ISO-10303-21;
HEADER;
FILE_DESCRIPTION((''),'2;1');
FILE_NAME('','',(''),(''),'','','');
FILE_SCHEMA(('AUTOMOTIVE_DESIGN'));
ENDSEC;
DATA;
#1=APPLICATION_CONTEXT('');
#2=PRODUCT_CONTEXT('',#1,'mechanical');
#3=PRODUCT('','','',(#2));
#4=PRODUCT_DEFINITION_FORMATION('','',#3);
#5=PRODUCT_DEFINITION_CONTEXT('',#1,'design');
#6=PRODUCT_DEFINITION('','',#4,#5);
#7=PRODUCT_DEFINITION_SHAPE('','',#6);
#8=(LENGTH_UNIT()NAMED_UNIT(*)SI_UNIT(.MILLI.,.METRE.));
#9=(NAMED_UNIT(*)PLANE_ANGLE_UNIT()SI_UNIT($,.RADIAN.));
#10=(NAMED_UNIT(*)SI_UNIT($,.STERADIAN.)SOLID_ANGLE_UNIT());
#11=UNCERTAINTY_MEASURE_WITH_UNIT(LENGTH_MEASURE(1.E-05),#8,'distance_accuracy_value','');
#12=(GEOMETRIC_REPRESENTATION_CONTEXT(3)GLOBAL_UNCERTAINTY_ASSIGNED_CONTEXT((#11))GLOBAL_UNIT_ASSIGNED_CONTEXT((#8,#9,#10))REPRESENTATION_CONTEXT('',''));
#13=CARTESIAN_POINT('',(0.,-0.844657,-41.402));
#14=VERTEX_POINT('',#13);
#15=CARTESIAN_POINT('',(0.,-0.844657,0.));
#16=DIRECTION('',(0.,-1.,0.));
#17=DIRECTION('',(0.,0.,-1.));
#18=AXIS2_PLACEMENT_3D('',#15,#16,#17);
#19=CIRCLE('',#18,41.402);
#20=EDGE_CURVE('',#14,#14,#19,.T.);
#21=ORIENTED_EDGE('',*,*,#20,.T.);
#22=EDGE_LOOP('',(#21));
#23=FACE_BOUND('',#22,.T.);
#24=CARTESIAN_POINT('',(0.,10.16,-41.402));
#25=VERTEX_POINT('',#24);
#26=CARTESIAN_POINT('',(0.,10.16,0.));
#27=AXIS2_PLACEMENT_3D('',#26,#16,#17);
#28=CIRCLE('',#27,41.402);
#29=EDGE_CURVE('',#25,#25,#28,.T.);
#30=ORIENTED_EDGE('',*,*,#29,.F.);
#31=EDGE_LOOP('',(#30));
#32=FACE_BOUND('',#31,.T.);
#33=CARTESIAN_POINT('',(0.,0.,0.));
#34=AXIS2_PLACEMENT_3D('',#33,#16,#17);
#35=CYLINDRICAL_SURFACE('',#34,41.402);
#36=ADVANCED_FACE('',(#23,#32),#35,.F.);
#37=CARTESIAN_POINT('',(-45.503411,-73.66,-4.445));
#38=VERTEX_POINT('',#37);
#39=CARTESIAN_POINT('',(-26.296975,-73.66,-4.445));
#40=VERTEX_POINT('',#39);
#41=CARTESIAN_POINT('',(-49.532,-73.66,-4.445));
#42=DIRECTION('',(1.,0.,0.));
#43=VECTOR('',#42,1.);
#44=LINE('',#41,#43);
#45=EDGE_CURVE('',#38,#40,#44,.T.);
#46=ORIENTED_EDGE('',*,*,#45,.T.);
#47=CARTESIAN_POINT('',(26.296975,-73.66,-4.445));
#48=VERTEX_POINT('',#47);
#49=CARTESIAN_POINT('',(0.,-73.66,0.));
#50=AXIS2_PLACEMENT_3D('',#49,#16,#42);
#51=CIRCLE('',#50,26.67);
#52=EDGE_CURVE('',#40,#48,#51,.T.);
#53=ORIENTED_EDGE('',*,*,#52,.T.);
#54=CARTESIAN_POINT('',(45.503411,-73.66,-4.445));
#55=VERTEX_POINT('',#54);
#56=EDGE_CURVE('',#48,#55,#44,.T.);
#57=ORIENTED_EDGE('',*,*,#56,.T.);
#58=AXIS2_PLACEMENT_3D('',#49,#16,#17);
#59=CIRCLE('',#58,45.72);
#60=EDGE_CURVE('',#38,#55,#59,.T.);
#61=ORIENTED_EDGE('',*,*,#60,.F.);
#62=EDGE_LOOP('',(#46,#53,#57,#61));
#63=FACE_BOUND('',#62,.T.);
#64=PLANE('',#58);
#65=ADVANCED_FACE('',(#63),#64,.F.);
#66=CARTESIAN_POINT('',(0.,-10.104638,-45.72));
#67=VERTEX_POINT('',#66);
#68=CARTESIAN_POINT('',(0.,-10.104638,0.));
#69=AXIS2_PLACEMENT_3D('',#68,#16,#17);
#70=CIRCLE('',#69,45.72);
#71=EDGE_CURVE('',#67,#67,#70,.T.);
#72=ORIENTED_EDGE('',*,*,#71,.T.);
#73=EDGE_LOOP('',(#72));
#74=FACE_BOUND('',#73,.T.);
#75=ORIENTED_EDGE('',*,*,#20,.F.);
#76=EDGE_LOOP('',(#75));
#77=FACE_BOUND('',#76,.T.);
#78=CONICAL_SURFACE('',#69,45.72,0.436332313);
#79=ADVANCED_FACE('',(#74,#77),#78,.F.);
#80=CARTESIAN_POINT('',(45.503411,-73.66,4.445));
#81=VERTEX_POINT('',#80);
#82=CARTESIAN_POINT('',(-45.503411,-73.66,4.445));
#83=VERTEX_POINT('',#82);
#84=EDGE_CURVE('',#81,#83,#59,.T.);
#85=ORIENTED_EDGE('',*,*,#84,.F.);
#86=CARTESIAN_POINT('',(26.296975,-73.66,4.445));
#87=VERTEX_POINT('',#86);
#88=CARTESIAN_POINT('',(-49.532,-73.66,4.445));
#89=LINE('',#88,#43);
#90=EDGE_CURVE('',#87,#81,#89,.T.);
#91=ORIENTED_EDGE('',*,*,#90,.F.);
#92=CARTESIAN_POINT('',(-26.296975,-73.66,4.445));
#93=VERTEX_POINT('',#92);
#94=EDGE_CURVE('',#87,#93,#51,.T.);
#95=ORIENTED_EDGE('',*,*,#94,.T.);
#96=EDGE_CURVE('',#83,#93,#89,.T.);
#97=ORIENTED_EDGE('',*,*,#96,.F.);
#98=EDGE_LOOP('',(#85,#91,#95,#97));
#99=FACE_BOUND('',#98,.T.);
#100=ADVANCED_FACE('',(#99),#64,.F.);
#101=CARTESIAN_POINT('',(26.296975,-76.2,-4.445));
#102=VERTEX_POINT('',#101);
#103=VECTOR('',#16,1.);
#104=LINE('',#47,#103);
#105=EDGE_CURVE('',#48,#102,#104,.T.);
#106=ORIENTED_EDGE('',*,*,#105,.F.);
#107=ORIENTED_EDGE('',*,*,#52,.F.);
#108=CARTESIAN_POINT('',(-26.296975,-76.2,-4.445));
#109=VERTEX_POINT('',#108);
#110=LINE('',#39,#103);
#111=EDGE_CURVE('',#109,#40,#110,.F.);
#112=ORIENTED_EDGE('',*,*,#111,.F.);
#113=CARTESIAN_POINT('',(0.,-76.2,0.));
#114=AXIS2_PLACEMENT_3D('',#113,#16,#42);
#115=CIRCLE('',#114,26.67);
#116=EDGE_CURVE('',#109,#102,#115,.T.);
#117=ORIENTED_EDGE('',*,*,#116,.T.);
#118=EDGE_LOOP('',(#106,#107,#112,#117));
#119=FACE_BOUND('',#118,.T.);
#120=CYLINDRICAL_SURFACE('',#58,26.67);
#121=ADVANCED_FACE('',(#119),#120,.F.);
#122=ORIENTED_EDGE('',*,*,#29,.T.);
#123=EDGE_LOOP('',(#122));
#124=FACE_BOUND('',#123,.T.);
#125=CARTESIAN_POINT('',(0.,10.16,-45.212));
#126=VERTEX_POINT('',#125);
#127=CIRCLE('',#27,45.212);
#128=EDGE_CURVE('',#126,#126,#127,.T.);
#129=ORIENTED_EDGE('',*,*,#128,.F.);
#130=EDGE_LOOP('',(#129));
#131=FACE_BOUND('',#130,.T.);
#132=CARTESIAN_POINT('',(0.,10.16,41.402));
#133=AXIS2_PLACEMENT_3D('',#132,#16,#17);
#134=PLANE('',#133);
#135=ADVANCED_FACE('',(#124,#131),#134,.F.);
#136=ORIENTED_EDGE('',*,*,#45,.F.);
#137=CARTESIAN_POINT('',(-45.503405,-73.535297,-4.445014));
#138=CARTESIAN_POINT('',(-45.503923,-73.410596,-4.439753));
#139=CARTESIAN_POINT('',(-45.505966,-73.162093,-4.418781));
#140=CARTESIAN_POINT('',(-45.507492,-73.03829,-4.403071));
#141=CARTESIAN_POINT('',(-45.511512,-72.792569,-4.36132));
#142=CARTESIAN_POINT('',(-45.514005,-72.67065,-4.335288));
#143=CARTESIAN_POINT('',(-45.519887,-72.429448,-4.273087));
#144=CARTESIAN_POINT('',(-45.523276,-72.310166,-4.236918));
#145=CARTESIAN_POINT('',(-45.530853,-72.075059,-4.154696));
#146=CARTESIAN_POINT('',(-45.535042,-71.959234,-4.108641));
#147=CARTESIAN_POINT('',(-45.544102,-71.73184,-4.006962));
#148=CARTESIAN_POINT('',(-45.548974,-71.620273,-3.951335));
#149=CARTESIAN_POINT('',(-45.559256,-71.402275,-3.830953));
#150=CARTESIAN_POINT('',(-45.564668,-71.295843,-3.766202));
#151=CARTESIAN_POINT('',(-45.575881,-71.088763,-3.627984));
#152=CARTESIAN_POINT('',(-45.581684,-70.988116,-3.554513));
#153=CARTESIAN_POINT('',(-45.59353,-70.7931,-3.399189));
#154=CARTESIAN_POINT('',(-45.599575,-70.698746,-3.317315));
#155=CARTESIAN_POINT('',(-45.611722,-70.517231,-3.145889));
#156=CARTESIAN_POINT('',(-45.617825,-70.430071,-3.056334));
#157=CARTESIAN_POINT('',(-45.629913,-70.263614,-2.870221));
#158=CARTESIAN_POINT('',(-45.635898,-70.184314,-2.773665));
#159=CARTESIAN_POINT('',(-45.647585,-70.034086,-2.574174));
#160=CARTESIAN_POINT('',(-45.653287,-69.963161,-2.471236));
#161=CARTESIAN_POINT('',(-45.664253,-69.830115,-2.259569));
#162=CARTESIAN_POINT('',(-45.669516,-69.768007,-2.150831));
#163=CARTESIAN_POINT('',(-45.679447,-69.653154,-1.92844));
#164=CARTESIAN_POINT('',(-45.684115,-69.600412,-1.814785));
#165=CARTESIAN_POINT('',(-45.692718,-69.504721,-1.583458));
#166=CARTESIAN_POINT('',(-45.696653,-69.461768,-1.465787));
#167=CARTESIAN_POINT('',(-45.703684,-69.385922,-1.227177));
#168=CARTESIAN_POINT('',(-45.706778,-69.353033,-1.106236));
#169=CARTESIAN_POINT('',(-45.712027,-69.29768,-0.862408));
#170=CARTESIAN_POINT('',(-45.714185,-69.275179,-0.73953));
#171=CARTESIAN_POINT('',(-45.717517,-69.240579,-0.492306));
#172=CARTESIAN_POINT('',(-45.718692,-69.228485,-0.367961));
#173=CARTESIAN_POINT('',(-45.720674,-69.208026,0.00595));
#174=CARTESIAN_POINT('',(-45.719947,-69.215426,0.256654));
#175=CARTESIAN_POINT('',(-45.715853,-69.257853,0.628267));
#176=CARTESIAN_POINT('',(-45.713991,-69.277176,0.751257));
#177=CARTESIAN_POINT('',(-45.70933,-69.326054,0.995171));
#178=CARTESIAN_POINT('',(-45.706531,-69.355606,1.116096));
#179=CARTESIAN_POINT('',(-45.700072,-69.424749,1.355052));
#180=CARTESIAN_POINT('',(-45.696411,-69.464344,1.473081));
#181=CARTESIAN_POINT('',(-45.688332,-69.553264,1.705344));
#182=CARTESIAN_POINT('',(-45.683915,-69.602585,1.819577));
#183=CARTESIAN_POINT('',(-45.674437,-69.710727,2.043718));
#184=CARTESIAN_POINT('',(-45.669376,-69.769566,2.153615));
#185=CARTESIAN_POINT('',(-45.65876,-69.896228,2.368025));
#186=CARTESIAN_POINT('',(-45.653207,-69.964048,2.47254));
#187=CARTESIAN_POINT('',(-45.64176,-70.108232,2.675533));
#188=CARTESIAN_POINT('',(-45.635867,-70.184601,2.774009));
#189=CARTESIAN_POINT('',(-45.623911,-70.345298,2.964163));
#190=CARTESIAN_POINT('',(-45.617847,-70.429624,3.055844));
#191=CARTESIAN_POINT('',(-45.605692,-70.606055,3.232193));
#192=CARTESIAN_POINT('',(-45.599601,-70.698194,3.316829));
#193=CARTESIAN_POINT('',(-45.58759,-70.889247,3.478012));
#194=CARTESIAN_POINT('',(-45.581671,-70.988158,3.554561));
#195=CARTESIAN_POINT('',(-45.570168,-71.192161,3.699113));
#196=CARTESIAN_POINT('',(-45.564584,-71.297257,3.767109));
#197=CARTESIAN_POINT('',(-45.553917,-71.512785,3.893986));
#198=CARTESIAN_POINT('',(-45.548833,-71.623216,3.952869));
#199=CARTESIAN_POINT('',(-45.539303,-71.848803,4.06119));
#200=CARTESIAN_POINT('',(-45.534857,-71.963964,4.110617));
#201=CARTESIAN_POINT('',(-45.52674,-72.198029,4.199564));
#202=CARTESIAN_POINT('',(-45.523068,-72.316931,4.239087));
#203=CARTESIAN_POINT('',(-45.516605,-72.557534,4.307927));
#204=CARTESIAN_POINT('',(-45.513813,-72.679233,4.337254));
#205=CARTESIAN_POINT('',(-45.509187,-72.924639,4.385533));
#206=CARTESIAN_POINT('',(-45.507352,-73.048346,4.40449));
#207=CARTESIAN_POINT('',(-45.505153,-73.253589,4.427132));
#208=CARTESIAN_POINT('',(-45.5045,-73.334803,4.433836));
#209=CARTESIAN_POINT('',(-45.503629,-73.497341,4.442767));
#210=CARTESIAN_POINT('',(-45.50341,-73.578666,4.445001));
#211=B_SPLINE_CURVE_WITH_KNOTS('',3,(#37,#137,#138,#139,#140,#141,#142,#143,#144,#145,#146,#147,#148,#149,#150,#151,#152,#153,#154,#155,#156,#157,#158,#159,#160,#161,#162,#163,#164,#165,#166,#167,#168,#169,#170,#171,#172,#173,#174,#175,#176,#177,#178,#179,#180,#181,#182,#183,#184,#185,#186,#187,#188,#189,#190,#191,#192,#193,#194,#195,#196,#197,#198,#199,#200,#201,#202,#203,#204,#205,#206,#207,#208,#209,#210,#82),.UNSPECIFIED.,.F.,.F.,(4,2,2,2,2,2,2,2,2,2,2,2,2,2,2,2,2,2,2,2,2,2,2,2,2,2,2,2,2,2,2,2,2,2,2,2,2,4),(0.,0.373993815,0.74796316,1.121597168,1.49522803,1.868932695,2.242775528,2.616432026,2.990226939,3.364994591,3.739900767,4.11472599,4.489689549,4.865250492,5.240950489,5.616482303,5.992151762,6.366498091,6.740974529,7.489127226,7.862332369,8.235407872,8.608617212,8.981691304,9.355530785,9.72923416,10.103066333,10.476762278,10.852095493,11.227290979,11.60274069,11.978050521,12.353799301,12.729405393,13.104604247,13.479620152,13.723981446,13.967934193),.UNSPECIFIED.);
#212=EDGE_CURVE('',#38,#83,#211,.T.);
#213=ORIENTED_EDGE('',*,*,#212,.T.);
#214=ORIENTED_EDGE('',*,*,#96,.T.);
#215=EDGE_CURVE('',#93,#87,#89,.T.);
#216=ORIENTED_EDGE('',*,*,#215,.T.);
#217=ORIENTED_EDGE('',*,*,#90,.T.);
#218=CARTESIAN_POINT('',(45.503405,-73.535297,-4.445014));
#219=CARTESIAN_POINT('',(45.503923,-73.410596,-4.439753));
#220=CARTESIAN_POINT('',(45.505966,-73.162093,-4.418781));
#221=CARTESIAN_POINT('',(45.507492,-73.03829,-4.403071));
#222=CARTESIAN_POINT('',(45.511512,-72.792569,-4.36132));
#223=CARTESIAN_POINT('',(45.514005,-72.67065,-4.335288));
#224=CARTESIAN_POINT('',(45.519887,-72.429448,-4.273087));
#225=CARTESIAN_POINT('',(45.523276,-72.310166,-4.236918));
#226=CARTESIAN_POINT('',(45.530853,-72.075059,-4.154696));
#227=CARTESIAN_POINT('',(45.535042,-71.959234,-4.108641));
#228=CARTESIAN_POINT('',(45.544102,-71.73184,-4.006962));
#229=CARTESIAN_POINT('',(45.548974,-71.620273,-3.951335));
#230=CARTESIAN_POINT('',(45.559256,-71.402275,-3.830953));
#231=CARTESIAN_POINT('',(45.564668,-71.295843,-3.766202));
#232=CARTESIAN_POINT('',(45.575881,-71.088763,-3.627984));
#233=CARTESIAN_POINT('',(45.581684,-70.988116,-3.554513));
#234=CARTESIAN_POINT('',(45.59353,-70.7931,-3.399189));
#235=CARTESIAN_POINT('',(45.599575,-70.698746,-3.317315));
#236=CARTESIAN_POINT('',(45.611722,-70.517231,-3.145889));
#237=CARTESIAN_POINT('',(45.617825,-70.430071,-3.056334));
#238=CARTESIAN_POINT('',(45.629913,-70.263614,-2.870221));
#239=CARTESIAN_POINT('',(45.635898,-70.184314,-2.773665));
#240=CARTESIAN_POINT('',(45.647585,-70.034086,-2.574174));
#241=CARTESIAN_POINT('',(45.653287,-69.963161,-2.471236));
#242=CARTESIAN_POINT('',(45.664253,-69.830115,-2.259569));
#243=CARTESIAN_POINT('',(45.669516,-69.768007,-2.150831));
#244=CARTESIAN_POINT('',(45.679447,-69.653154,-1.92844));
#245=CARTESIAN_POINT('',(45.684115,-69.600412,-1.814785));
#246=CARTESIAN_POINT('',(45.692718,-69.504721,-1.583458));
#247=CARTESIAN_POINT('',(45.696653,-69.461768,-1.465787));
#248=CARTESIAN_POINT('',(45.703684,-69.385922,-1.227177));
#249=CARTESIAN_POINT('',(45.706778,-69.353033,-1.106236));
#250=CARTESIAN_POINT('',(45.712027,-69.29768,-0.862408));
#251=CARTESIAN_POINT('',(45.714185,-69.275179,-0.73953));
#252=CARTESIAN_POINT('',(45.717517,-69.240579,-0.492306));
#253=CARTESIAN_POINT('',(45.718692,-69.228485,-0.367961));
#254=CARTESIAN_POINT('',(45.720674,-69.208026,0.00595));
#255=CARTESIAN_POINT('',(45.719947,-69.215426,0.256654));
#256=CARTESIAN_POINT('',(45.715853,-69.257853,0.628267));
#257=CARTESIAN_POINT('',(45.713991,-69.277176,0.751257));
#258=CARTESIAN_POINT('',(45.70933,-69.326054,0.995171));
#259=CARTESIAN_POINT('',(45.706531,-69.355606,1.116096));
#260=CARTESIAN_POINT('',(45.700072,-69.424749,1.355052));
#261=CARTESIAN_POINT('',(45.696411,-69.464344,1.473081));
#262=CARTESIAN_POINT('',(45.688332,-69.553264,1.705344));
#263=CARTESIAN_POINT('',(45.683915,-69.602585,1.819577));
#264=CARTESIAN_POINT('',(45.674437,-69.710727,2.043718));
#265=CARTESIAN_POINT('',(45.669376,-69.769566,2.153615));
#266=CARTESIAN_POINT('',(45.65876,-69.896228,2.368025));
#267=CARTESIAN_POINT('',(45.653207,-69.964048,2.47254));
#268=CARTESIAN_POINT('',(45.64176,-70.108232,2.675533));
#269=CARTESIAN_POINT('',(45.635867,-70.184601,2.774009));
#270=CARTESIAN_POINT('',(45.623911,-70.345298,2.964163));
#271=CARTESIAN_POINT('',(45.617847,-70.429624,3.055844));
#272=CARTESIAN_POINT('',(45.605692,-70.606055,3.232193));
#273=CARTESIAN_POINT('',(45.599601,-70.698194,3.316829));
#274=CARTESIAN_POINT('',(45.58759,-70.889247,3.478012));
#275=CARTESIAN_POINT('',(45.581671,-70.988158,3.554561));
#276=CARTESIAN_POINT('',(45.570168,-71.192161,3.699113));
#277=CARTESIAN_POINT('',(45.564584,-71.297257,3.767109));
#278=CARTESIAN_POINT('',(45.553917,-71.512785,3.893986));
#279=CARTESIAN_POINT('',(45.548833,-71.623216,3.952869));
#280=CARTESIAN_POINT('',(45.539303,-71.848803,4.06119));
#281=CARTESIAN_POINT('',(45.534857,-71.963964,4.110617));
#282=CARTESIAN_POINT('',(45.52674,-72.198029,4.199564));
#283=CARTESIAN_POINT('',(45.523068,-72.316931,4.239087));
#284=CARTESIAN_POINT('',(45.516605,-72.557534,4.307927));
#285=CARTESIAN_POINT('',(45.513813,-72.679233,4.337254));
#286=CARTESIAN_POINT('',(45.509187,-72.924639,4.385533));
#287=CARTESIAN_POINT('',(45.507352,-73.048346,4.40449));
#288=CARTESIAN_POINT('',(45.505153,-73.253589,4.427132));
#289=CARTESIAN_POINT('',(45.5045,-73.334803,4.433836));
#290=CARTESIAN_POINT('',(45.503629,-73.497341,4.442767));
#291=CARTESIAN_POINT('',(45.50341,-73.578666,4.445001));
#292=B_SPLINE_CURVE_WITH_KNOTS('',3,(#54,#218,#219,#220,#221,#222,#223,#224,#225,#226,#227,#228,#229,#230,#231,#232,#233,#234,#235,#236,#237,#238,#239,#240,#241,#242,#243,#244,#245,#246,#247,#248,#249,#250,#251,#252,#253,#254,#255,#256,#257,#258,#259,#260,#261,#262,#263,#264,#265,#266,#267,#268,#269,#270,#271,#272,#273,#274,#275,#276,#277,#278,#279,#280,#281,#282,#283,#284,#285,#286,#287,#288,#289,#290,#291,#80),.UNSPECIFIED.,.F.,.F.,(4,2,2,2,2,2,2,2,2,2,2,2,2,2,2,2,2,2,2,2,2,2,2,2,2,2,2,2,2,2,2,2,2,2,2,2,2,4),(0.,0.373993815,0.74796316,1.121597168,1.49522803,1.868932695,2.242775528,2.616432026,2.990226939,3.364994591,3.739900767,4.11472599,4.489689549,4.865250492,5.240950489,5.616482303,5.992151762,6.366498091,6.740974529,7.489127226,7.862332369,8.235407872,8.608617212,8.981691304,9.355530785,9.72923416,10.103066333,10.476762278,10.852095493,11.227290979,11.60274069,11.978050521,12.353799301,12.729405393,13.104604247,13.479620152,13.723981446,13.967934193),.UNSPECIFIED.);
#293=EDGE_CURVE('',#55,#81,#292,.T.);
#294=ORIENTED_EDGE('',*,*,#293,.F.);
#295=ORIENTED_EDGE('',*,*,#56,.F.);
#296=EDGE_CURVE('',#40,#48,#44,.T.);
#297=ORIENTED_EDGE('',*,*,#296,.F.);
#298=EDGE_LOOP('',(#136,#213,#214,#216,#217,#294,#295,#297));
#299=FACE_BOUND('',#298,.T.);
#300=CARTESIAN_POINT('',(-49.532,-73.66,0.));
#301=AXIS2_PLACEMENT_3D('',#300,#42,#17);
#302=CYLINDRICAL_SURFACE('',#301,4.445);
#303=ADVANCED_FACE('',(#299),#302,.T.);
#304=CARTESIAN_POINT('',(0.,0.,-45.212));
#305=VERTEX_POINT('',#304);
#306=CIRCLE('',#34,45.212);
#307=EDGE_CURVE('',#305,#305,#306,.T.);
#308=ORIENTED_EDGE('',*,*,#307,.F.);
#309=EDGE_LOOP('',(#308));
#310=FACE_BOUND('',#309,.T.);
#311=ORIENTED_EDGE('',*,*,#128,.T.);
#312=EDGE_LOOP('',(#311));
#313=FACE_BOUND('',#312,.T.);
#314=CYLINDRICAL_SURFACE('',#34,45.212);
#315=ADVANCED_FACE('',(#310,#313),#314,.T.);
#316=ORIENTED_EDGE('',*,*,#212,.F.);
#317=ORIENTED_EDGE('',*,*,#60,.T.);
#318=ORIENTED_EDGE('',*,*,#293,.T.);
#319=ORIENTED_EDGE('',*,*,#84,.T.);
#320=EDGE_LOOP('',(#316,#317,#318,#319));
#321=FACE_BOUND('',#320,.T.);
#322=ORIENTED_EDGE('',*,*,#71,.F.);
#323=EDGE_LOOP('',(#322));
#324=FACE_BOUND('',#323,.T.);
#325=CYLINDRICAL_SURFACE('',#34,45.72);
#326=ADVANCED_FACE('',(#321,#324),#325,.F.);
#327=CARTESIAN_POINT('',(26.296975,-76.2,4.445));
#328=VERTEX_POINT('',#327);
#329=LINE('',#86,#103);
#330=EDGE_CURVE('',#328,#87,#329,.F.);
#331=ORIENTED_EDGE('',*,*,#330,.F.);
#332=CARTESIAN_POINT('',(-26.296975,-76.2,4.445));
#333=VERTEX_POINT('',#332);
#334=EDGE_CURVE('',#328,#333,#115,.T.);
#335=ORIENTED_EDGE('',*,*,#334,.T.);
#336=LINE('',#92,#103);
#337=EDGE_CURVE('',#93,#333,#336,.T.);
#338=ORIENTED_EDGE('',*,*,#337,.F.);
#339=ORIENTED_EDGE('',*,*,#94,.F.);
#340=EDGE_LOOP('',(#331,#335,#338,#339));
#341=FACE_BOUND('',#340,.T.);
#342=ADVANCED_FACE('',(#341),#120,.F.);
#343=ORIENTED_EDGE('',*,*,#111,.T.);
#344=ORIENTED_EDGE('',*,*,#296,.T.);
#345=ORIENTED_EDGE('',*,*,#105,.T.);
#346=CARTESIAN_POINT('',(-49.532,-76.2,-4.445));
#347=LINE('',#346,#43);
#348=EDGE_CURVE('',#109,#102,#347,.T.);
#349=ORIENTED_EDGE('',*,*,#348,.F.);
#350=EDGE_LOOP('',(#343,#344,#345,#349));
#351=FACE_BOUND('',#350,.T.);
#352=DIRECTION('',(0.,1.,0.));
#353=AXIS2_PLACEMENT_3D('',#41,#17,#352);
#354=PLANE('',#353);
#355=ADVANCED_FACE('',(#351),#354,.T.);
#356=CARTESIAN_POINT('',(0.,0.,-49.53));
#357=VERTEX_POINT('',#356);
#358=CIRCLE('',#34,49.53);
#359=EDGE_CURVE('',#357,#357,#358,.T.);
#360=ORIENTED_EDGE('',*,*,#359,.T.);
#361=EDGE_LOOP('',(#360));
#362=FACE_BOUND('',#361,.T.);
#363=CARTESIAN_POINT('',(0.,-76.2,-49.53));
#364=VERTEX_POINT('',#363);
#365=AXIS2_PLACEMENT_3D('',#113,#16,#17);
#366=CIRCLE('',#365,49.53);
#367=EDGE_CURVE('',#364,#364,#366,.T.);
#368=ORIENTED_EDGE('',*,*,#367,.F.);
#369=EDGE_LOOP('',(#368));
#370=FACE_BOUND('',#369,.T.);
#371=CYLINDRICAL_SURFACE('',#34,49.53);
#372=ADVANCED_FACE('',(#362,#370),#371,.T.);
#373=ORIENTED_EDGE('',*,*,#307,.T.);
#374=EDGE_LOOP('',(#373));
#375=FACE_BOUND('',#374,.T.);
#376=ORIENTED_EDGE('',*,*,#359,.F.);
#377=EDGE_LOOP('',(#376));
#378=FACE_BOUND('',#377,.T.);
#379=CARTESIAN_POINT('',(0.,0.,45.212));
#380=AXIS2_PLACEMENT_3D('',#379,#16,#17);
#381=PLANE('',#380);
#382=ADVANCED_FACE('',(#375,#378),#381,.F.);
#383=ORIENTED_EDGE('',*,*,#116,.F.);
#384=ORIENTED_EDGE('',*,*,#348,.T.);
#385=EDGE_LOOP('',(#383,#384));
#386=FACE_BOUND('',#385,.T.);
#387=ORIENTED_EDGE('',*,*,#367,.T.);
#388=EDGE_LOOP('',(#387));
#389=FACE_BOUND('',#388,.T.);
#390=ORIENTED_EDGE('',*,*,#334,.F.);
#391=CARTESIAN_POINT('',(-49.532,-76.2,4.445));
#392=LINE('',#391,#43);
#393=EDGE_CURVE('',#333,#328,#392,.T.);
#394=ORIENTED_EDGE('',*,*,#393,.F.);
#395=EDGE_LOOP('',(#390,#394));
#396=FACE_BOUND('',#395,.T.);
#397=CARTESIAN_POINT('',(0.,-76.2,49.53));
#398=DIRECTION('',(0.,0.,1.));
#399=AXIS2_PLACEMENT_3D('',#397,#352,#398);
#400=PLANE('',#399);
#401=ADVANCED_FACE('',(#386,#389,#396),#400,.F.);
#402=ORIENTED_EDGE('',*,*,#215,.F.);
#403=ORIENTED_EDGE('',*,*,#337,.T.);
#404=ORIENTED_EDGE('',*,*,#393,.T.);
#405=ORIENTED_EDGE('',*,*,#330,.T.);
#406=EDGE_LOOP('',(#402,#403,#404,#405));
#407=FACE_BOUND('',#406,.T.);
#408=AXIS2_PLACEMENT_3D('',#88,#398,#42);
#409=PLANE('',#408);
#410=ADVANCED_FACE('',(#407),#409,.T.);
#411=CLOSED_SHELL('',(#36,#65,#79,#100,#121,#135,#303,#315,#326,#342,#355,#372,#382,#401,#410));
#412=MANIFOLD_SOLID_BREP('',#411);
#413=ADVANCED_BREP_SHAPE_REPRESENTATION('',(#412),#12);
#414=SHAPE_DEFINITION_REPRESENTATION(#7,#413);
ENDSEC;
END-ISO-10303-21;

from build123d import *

# Parameters (mm, degrees)
BOSS_EXTRUDE1_REACH                  = 105.503
BOSS_EXTRUDE1_END_RADIUS             = 45.72
BOSS_EXTRUDE1_DIRECTION_2_REACH      = 105.503
BOSS_EXTRUDE1_DIRECTION_2_END_RADIUS = 45.72
EXTRUDE_THIN1_START                  = -2.54
SKETCH3_R                            = 45.72
SKETCH3_R_2                          = 26.67
EXTRUDE_THIN1_DEPTH                  = 2.54


with BuildPart() as part:
    # Sketch1 → Revolve1 (revolve)
    with BuildSketch(Plane(origin=(0, 0, 0), x_dir=(0, 0, -1), z_dir=(1, 0, 0)), mode=Mode.PRIVATE) as revolve1_sk:
        Polygon((-49.53, 0), (-49.53, -76.2), (-45.72, -76.2), (-45.72, -10.104637547), (-41.402, -0.844656665), (-41.402, 10.16), (-45.212, 10.16), (-45.212, 0), align=None)
    revolve(revolve1_sk.sketch.rotate(Axis((0, 0, 0), (0, 1, 0)), 180), axis=Axis((0, 0, 0), (0, 1, 0)))

    # Boss-Extrude1: up to this cylinder (the profile starts inside it)
    boss_extrude1_end = Plane(origin=(0, -73.102853, 0), z_dir=(0, -1, 0)) * Cylinder(BOSS_EXTRUDE1_END_RADIUS, 303.446, mode=Mode.PRIVATE)
    # Sketch2 → Boss-Extrude1 (add, up to the surface)
    with BuildSketch(Plane(origin=(0, 0, 0), x_dir=(0, 0, -1), z_dir=(1, 0, 0)), mode=Mode.PRIVATE) as boss_extrude1_sk1:
        with BuildLine():
            Line((4.445, -73.66), (4.445, -76.2))
            Line((4.445, -76.2), (-4.445, -76.2))
            Line((-4.445, -76.2), (-4.445, -73.66))
            ThreePointArc((-4.445, -73.66), (0, -69.215), (4.445, -73.66))
        make_face()
    boss_extrude1_tool1 = extrude(boss_extrude1_sk1.sketch, amount=BOSS_EXTRUDE1_REACH, mode=Mode.PRIVATE) & boss_extrude1_end
    add(boss_extrude1_tool1.solids().sort_by_distance((0, -73.102853, 0))[0])

    # Boss-Extrude1 direction 2: up to this cylinder (the profile starts inside it)
    boss_extrude1_direction_2_end = Plane(origin=(0, -73.102853, 0), z_dir=(0, -1, 0)) * Cylinder(BOSS_EXTRUDE1_DIRECTION_2_END_RADIUS, 303.446, mode=Mode.PRIVATE)
    # Sketch2 → Boss-Extrude1 direction 2 (add, up to the surface)
    with BuildSketch(Plane(origin=(0, 0, 0), x_dir=(0, 0, -1), z_dir=(1, 0, 0)), mode=Mode.PRIVATE) as boss_extrude1_direction_2_sk1:
        with BuildLine():
            Line((4.445, -73.66), (4.445, -76.2))
            Line((4.445, -76.2), (-4.445, -76.2))
            Line((-4.445, -76.2), (-4.445, -73.66))
            ThreePointArc((-4.445, -73.66), (0, -69.215), (4.445, -73.66))
        make_face()
    boss_extrude1_direction_2_tool1 = extrude(boss_extrude1_direction_2_sk1.sketch, amount=-BOSS_EXTRUDE1_DIRECTION_2_REACH, mode=Mode.PRIVATE) & boss_extrude1_direction_2_end
    add(boss_extrude1_direction_2_tool1.solids().sort_by_distance((0, -73.102853, 0))[0])

    # Sketch3 → Extrude-Thin1 (add)
    with BuildSketch(Plane.XZ.offset(76.2).offset(EXTRUDE_THIN1_START)):
        Circle(SKETCH3_R)
        Circle(SKETCH3_R_2, mode=Mode.SUBTRACT)
    extrude(amount=EXTRUDE_THIN1_DEPTH)


solid = part.part
